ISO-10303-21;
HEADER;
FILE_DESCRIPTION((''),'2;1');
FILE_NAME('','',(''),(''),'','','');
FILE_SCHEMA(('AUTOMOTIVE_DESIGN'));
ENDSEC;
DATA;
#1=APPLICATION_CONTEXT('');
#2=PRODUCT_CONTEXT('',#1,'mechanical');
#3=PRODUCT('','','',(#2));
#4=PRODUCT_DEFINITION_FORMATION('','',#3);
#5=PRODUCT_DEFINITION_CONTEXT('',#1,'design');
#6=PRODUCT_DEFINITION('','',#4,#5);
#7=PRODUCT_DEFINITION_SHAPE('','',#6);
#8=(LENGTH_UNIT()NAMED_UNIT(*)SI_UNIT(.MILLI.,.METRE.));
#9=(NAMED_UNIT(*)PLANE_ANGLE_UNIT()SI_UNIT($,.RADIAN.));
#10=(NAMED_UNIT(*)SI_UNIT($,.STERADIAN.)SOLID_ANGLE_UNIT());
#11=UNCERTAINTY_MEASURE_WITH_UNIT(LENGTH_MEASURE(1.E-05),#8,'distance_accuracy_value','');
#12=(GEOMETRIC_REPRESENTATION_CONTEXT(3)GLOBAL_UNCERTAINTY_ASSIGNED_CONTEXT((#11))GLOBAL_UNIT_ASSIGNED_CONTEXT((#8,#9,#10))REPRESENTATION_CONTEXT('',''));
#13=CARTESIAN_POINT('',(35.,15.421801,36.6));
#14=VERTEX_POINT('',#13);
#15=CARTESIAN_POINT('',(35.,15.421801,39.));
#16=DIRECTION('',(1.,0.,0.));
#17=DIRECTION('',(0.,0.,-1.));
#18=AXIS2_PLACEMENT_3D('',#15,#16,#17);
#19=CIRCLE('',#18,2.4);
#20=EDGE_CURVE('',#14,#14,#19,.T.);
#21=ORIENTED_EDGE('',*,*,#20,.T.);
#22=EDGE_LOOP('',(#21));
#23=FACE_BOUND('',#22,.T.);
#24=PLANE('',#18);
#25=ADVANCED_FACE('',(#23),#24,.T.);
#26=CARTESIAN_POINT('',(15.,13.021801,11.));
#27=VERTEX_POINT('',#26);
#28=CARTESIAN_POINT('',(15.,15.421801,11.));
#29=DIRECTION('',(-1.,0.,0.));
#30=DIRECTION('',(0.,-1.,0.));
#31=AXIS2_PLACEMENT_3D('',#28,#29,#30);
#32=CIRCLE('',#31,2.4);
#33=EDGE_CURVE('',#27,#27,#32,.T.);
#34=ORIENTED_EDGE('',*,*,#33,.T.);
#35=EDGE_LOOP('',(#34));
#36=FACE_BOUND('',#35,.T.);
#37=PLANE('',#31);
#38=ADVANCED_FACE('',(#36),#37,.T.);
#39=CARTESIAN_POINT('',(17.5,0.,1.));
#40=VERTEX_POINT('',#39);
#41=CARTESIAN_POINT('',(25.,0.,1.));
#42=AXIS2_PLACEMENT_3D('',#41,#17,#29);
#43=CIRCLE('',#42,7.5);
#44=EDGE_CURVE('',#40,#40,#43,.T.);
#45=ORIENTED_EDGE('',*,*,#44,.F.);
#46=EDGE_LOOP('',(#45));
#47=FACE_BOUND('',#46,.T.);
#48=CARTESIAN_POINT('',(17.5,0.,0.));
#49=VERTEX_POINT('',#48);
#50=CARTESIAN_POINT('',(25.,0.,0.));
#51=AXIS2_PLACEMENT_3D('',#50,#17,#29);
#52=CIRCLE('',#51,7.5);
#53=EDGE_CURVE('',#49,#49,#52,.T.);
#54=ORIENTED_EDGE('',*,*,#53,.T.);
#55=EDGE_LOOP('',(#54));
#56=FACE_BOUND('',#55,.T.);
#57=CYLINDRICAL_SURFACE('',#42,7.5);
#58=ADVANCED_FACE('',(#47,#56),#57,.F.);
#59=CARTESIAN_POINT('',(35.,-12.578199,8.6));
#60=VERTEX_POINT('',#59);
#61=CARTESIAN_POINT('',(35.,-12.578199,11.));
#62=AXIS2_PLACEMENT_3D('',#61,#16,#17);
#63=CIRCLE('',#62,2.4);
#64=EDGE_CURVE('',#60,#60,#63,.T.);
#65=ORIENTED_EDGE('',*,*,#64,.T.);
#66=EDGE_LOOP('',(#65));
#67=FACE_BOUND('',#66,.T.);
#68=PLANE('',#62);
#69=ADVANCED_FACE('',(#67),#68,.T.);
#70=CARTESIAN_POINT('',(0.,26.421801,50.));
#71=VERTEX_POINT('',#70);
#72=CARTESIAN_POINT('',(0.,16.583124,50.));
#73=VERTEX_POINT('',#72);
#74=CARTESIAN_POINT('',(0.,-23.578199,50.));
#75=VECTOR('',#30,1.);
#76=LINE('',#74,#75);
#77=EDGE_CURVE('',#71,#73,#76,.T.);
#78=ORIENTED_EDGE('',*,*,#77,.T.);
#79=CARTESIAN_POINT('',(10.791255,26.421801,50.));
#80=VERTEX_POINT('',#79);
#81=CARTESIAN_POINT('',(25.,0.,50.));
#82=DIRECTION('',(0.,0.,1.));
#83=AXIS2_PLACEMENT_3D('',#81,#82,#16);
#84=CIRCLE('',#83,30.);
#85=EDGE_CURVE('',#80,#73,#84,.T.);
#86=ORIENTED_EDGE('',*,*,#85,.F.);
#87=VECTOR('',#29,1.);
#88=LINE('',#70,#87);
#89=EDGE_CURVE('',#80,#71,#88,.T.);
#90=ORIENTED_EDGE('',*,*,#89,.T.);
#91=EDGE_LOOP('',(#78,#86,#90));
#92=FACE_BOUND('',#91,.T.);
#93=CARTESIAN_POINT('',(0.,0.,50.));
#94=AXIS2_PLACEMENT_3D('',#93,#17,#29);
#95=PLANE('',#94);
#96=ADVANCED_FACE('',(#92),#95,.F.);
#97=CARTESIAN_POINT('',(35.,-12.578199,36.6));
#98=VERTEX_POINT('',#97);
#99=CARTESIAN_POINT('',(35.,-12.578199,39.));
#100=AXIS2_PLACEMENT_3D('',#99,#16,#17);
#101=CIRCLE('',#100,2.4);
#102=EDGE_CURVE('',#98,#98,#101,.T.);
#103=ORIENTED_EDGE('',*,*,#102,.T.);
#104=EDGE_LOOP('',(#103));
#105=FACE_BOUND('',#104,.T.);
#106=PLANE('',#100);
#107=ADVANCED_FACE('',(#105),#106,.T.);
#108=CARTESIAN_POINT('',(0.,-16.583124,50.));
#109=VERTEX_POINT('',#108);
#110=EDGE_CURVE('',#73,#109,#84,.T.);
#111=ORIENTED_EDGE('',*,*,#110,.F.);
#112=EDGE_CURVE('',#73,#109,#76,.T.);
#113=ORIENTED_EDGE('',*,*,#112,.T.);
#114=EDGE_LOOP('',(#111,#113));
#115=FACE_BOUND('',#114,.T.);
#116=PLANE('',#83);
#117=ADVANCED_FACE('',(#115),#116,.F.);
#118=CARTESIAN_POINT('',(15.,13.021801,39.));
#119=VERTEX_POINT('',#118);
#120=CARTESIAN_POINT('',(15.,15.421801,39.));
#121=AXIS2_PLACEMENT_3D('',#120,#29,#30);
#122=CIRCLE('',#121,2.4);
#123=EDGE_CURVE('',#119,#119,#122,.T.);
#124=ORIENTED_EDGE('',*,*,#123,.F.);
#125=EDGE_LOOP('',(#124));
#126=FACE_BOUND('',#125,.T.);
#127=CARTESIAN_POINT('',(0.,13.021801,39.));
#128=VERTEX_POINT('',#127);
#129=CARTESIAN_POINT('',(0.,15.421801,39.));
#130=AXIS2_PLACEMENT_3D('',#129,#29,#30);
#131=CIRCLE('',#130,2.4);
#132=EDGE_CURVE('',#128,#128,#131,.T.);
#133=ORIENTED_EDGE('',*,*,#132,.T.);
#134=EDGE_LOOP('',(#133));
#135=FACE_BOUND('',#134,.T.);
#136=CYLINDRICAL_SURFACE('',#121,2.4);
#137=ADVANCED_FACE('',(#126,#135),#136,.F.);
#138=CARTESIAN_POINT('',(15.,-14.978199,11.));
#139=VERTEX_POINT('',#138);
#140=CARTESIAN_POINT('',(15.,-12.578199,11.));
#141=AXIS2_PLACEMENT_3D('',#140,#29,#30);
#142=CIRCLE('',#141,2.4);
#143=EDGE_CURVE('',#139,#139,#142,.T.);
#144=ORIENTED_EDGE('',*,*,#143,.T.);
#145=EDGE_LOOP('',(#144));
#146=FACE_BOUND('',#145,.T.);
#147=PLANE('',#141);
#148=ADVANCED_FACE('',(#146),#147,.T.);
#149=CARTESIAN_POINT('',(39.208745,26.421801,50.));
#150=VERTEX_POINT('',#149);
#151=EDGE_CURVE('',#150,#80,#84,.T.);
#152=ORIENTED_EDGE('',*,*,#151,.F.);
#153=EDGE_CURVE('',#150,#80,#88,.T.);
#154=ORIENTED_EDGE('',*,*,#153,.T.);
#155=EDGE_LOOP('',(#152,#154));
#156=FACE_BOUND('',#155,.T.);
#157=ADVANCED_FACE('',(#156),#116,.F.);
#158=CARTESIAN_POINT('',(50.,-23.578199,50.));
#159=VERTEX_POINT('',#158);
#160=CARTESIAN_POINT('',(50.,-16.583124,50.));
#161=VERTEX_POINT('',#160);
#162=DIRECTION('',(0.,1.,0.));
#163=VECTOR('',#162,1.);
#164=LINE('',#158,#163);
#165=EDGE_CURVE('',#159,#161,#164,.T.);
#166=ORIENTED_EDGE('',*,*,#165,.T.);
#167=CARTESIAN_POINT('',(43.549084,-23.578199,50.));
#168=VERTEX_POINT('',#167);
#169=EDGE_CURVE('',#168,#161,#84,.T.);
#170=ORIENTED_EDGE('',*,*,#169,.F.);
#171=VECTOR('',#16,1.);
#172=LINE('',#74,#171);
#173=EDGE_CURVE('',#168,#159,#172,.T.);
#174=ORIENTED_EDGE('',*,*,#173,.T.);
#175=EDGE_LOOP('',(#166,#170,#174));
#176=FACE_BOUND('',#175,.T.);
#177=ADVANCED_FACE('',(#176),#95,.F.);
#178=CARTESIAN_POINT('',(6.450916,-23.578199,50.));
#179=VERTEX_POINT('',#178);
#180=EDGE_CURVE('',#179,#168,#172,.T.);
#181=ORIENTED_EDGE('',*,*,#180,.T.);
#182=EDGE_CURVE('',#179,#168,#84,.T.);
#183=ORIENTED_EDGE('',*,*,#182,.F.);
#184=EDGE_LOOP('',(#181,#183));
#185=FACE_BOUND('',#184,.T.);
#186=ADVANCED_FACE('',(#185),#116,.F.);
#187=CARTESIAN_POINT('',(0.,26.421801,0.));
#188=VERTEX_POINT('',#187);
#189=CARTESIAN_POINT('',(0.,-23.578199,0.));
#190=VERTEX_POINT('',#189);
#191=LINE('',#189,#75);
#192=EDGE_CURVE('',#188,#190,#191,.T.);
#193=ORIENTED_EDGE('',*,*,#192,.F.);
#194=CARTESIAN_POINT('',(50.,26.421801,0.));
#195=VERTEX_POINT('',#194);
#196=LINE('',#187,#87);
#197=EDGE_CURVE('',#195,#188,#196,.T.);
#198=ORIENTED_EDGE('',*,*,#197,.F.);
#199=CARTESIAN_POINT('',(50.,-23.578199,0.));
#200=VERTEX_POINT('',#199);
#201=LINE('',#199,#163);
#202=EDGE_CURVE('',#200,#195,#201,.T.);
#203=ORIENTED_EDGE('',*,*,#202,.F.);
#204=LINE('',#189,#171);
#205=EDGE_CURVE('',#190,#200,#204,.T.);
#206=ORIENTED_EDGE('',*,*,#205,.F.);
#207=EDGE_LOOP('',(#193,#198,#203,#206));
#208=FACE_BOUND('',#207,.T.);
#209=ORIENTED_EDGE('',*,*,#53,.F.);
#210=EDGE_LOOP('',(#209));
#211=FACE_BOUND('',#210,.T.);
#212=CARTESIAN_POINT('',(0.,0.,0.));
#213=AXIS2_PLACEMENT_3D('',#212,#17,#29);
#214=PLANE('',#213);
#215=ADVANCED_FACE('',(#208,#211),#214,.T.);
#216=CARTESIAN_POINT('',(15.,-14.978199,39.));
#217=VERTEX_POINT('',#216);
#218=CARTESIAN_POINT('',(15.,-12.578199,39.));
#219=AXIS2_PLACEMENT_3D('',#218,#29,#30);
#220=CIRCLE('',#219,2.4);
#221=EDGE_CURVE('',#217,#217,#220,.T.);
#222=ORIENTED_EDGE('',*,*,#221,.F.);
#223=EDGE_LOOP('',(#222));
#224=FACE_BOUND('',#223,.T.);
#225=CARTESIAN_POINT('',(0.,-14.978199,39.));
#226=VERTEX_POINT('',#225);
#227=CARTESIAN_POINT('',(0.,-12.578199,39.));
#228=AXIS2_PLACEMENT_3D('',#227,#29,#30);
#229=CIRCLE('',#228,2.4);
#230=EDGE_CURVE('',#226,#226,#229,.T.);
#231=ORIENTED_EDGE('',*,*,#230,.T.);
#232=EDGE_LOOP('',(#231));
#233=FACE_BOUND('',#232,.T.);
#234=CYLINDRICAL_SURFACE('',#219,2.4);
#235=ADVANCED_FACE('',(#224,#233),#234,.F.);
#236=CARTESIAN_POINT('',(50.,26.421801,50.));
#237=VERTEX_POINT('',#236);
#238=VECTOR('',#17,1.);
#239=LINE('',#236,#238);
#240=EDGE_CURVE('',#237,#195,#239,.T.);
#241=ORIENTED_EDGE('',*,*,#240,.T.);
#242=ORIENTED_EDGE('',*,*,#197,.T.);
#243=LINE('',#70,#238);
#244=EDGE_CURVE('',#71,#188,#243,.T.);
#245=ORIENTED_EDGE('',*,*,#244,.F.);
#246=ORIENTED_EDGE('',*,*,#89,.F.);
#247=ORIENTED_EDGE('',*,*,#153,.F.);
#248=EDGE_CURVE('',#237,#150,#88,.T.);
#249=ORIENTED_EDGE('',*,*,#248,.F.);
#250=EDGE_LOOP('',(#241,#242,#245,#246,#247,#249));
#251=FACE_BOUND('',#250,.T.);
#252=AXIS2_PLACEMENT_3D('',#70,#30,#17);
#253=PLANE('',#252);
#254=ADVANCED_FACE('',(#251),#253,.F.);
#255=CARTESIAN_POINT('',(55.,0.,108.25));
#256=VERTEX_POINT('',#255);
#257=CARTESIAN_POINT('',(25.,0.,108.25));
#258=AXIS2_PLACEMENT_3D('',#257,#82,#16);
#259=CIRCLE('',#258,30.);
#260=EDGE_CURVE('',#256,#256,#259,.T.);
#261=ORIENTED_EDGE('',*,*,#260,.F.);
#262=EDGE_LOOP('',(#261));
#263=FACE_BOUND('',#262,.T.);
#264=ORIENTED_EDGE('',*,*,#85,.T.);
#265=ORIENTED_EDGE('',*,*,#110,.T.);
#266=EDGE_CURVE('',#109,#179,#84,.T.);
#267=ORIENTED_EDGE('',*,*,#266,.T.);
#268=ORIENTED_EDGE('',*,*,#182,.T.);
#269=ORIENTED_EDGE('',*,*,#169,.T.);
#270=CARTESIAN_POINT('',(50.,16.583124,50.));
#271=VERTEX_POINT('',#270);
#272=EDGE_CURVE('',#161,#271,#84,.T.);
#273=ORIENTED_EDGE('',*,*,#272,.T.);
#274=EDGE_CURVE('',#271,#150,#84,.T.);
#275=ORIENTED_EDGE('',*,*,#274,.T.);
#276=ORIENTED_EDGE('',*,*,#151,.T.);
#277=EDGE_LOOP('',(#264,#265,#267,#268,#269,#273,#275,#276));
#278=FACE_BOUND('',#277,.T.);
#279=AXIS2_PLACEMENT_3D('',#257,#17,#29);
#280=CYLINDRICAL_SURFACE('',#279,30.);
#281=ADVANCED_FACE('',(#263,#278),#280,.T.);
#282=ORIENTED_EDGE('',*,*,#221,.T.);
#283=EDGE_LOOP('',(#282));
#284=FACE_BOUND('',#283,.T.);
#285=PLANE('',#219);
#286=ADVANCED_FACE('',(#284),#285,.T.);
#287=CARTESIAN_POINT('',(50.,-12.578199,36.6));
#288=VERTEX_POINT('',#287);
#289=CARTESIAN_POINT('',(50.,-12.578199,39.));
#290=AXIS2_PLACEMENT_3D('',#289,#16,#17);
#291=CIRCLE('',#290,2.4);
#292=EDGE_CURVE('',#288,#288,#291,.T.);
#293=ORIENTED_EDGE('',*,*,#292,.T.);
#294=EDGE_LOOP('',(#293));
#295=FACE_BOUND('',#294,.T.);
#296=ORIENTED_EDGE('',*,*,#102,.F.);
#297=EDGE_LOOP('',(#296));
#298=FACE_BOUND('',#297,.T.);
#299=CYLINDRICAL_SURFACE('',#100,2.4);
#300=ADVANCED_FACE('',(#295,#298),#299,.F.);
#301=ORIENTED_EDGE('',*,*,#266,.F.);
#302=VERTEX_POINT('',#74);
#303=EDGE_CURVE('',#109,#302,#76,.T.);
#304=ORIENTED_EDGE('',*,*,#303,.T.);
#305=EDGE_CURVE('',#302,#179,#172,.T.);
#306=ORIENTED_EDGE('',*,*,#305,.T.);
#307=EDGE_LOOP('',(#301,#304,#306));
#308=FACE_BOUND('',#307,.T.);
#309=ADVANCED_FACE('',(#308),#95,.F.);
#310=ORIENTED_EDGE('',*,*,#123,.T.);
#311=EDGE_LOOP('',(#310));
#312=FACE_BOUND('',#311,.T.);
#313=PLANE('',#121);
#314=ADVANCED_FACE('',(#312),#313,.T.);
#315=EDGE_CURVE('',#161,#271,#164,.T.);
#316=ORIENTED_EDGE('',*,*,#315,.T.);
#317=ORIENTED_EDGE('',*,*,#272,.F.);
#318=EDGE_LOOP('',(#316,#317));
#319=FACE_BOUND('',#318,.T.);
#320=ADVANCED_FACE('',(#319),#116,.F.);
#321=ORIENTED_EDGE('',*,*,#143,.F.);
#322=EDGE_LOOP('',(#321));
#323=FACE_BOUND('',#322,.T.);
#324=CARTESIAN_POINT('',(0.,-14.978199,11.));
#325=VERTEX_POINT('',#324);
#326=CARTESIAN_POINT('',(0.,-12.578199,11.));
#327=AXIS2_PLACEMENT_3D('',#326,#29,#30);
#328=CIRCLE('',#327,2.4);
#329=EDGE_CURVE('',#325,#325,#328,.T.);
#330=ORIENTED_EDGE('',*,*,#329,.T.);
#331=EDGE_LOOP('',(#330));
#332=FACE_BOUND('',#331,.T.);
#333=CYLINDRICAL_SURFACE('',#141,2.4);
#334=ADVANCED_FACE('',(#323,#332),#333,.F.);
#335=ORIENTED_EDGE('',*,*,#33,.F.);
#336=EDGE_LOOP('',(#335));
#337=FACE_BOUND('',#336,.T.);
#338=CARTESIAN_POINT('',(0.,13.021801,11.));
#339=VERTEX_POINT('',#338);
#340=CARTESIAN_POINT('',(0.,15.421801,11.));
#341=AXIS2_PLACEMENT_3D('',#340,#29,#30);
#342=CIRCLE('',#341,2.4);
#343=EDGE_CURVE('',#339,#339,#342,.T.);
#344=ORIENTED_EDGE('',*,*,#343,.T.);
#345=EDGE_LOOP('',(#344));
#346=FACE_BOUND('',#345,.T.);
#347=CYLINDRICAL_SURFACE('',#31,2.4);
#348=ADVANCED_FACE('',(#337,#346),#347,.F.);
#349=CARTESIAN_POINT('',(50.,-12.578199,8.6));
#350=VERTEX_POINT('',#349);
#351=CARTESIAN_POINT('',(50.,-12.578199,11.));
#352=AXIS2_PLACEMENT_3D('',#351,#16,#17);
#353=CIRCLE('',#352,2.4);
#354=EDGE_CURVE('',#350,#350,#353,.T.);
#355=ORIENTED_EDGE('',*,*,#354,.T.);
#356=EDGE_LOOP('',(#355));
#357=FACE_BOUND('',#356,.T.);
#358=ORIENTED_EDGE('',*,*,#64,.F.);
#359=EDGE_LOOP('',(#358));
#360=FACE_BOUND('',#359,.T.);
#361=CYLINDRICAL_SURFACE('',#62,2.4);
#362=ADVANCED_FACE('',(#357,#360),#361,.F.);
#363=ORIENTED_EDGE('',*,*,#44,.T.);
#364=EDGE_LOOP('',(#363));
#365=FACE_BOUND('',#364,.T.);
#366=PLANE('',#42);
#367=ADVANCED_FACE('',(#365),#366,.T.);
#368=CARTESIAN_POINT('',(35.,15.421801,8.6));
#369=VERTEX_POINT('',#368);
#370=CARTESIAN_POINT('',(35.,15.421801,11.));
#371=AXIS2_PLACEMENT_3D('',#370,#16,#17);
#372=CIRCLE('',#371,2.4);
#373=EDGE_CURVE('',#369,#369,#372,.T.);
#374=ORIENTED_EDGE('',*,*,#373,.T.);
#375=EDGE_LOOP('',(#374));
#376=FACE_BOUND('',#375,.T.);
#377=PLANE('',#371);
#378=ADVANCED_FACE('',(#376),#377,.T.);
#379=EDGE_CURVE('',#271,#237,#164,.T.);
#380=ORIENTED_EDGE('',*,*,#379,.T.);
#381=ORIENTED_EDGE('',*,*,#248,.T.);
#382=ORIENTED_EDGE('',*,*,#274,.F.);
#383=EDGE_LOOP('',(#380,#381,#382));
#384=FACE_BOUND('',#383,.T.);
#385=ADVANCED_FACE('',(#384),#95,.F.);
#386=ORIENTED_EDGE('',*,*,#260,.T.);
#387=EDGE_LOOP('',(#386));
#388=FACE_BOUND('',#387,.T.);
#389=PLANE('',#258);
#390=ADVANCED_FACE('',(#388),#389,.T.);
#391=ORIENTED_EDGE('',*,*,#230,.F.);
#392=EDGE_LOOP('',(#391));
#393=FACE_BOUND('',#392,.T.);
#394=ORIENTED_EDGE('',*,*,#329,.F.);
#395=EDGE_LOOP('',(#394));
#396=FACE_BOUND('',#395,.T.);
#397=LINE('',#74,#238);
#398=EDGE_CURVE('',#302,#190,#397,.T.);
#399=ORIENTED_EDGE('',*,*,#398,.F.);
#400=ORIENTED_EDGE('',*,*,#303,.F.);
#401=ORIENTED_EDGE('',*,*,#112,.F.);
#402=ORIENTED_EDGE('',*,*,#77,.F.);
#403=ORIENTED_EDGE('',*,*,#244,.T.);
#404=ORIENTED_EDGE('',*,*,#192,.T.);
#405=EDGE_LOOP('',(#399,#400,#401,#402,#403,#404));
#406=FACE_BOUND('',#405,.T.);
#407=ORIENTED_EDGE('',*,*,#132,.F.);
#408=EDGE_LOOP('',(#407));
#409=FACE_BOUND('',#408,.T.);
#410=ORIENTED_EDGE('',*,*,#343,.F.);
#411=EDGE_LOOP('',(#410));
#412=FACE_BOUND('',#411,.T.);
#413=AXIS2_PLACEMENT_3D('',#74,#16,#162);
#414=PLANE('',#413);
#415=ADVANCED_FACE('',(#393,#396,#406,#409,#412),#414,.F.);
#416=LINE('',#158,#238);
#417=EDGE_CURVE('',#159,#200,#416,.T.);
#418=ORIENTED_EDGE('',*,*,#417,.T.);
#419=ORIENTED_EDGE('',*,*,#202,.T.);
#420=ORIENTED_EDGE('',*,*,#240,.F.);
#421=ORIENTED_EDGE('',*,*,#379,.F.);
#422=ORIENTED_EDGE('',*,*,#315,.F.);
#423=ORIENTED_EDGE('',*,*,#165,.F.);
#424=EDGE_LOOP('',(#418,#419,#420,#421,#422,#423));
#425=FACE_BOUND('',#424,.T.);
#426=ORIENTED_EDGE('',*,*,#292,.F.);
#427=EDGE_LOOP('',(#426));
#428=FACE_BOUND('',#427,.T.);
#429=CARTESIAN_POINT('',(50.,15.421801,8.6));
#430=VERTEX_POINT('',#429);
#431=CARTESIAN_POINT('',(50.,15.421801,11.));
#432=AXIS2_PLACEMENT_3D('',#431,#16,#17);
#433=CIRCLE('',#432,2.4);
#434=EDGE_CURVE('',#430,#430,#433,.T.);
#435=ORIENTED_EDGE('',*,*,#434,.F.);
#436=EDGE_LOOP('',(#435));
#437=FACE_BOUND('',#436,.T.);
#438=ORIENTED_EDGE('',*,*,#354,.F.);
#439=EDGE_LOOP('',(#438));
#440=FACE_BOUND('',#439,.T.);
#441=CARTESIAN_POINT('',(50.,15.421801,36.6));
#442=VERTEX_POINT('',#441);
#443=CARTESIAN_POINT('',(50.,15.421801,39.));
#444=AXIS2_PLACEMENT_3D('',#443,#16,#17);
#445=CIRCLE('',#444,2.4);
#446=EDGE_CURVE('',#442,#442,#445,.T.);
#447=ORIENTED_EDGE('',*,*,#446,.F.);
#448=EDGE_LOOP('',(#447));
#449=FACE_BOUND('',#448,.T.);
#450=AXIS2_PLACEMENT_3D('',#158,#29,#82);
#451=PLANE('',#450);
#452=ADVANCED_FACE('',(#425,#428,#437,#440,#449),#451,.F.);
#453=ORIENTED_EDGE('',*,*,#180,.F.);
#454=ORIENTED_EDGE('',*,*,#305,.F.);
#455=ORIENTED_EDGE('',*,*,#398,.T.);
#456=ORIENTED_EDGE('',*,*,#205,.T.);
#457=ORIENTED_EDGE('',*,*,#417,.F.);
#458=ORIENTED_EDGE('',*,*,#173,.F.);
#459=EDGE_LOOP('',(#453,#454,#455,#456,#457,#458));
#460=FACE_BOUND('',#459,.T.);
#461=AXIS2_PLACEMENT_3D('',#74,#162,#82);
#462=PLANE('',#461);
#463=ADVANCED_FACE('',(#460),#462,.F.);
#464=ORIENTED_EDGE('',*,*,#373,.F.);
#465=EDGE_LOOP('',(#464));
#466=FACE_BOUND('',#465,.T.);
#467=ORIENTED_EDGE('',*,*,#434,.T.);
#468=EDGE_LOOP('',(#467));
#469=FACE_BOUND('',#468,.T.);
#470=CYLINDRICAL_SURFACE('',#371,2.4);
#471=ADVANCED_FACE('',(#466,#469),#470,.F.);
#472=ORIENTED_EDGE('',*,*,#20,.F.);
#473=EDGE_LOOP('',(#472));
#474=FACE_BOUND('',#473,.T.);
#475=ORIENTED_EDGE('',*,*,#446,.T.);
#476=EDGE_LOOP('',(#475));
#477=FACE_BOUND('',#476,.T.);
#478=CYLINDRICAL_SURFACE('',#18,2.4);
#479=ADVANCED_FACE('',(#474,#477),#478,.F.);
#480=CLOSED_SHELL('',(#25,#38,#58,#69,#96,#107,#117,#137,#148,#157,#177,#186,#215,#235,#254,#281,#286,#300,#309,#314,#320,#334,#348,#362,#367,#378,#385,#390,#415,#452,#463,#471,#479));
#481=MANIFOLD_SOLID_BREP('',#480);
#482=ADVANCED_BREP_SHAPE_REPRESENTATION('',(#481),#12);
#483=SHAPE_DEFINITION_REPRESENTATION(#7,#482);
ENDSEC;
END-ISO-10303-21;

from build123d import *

# Parameters (mm, degrees)
SKETCH1_W           = 50
SKETCH1_H           = 50
BOSS_EXTRUDE1_DEPTH = 50
SKETCH2_R           = 30
BOSS_EXTRUDE2_DEPTH = 58.25
SKETCH3_R           = 7.5
CUT_EXTRUDE1_DEPTH  = 1
SKETCH4_R           = 2.4
CUT_EXTRUDE2_DEPTH  = 15
CUT_EXTRUDE3_START  = -15
SKETCH5_R           = 2.4
CUT_EXTRUDE3_DEPTH  = 15


with BuildPart() as part:
    # Sketch1 → Boss-Extrude1 (new body)
    with BuildSketch(Plane.XY):
        with Locations((25, 1.421800948)):
            Rectangle(SKETCH1_W, SKETCH1_H)
    extrude(amount=BOSS_EXTRUDE1_DEPTH)

    # Sketch2 → Boss-Extrude2 (add)
    with BuildSketch(Plane.XY.offset(50)):
        with Locations(Location((25, 0, 0), (0, 0, 146.442690238))):
            Circle(SKETCH2_R)
    extrude(amount=BOSS_EXTRUDE2_DEPTH)

    # Sketch3 → Cut-Extrude1 (cut)
    with BuildSketch(Plane(origin=(0, 0, 0), x_dir=(-1, 0, 0), z_dir=(0, 0, -1))):
        with Locations((-25, 0)):
            Circle(SKETCH3_R)
    extrude(amount=-CUT_EXTRUDE1_DEPTH, mode=Mode.SUBTRACT)

    # Sketch4 → Cut-Extrude2 (cut)
    with BuildSketch(Plane(origin=(50, 0, 0), x_dir=(0, 0, -1), z_dir=(1, 0, 0))):
        with Locations((-39, 15.421800948)):
            Circle(SKETCH4_R)
        with Locations((-11, 15.421800948)):
            Circle(SKETCH4_R)
        with Locations((-11, -12.578199052)):
            Circle(SKETCH4_R)
        with Locations((-39, -12.578199052)):
            Circle(SKETCH4_R)
    extrude(amount=-CUT_EXTRUDE2_DEPTH, mode=Mode.SUBTRACT)

    # Sketch5 → Cut-Extrude3 (cut)
    with BuildSketch(Plane.ZY.offset(CUT_EXTRUDE3_START)):
        with Locations(Location((11, 15.421800948, 0), (0, 0, 180))):
            Circle(SKETCH5_R)
        with Locations(Location((39, 15.421800948, 0), (0, 0, 180))):
            Circle(SKETCH5_R)
        with Locations(Location((39, -12.578199052, 0), (0, 0, 180))):
            Circle(SKETCH5_R)
        with Locations(Location((11, -12.578199052, 0), (0, 0, 180))):
            Circle(SKETCH5_R)
    extrude(amount=CUT_EXTRUDE3_DEPTH, mode=Mode.SUBTRACT)


solid = part.part
